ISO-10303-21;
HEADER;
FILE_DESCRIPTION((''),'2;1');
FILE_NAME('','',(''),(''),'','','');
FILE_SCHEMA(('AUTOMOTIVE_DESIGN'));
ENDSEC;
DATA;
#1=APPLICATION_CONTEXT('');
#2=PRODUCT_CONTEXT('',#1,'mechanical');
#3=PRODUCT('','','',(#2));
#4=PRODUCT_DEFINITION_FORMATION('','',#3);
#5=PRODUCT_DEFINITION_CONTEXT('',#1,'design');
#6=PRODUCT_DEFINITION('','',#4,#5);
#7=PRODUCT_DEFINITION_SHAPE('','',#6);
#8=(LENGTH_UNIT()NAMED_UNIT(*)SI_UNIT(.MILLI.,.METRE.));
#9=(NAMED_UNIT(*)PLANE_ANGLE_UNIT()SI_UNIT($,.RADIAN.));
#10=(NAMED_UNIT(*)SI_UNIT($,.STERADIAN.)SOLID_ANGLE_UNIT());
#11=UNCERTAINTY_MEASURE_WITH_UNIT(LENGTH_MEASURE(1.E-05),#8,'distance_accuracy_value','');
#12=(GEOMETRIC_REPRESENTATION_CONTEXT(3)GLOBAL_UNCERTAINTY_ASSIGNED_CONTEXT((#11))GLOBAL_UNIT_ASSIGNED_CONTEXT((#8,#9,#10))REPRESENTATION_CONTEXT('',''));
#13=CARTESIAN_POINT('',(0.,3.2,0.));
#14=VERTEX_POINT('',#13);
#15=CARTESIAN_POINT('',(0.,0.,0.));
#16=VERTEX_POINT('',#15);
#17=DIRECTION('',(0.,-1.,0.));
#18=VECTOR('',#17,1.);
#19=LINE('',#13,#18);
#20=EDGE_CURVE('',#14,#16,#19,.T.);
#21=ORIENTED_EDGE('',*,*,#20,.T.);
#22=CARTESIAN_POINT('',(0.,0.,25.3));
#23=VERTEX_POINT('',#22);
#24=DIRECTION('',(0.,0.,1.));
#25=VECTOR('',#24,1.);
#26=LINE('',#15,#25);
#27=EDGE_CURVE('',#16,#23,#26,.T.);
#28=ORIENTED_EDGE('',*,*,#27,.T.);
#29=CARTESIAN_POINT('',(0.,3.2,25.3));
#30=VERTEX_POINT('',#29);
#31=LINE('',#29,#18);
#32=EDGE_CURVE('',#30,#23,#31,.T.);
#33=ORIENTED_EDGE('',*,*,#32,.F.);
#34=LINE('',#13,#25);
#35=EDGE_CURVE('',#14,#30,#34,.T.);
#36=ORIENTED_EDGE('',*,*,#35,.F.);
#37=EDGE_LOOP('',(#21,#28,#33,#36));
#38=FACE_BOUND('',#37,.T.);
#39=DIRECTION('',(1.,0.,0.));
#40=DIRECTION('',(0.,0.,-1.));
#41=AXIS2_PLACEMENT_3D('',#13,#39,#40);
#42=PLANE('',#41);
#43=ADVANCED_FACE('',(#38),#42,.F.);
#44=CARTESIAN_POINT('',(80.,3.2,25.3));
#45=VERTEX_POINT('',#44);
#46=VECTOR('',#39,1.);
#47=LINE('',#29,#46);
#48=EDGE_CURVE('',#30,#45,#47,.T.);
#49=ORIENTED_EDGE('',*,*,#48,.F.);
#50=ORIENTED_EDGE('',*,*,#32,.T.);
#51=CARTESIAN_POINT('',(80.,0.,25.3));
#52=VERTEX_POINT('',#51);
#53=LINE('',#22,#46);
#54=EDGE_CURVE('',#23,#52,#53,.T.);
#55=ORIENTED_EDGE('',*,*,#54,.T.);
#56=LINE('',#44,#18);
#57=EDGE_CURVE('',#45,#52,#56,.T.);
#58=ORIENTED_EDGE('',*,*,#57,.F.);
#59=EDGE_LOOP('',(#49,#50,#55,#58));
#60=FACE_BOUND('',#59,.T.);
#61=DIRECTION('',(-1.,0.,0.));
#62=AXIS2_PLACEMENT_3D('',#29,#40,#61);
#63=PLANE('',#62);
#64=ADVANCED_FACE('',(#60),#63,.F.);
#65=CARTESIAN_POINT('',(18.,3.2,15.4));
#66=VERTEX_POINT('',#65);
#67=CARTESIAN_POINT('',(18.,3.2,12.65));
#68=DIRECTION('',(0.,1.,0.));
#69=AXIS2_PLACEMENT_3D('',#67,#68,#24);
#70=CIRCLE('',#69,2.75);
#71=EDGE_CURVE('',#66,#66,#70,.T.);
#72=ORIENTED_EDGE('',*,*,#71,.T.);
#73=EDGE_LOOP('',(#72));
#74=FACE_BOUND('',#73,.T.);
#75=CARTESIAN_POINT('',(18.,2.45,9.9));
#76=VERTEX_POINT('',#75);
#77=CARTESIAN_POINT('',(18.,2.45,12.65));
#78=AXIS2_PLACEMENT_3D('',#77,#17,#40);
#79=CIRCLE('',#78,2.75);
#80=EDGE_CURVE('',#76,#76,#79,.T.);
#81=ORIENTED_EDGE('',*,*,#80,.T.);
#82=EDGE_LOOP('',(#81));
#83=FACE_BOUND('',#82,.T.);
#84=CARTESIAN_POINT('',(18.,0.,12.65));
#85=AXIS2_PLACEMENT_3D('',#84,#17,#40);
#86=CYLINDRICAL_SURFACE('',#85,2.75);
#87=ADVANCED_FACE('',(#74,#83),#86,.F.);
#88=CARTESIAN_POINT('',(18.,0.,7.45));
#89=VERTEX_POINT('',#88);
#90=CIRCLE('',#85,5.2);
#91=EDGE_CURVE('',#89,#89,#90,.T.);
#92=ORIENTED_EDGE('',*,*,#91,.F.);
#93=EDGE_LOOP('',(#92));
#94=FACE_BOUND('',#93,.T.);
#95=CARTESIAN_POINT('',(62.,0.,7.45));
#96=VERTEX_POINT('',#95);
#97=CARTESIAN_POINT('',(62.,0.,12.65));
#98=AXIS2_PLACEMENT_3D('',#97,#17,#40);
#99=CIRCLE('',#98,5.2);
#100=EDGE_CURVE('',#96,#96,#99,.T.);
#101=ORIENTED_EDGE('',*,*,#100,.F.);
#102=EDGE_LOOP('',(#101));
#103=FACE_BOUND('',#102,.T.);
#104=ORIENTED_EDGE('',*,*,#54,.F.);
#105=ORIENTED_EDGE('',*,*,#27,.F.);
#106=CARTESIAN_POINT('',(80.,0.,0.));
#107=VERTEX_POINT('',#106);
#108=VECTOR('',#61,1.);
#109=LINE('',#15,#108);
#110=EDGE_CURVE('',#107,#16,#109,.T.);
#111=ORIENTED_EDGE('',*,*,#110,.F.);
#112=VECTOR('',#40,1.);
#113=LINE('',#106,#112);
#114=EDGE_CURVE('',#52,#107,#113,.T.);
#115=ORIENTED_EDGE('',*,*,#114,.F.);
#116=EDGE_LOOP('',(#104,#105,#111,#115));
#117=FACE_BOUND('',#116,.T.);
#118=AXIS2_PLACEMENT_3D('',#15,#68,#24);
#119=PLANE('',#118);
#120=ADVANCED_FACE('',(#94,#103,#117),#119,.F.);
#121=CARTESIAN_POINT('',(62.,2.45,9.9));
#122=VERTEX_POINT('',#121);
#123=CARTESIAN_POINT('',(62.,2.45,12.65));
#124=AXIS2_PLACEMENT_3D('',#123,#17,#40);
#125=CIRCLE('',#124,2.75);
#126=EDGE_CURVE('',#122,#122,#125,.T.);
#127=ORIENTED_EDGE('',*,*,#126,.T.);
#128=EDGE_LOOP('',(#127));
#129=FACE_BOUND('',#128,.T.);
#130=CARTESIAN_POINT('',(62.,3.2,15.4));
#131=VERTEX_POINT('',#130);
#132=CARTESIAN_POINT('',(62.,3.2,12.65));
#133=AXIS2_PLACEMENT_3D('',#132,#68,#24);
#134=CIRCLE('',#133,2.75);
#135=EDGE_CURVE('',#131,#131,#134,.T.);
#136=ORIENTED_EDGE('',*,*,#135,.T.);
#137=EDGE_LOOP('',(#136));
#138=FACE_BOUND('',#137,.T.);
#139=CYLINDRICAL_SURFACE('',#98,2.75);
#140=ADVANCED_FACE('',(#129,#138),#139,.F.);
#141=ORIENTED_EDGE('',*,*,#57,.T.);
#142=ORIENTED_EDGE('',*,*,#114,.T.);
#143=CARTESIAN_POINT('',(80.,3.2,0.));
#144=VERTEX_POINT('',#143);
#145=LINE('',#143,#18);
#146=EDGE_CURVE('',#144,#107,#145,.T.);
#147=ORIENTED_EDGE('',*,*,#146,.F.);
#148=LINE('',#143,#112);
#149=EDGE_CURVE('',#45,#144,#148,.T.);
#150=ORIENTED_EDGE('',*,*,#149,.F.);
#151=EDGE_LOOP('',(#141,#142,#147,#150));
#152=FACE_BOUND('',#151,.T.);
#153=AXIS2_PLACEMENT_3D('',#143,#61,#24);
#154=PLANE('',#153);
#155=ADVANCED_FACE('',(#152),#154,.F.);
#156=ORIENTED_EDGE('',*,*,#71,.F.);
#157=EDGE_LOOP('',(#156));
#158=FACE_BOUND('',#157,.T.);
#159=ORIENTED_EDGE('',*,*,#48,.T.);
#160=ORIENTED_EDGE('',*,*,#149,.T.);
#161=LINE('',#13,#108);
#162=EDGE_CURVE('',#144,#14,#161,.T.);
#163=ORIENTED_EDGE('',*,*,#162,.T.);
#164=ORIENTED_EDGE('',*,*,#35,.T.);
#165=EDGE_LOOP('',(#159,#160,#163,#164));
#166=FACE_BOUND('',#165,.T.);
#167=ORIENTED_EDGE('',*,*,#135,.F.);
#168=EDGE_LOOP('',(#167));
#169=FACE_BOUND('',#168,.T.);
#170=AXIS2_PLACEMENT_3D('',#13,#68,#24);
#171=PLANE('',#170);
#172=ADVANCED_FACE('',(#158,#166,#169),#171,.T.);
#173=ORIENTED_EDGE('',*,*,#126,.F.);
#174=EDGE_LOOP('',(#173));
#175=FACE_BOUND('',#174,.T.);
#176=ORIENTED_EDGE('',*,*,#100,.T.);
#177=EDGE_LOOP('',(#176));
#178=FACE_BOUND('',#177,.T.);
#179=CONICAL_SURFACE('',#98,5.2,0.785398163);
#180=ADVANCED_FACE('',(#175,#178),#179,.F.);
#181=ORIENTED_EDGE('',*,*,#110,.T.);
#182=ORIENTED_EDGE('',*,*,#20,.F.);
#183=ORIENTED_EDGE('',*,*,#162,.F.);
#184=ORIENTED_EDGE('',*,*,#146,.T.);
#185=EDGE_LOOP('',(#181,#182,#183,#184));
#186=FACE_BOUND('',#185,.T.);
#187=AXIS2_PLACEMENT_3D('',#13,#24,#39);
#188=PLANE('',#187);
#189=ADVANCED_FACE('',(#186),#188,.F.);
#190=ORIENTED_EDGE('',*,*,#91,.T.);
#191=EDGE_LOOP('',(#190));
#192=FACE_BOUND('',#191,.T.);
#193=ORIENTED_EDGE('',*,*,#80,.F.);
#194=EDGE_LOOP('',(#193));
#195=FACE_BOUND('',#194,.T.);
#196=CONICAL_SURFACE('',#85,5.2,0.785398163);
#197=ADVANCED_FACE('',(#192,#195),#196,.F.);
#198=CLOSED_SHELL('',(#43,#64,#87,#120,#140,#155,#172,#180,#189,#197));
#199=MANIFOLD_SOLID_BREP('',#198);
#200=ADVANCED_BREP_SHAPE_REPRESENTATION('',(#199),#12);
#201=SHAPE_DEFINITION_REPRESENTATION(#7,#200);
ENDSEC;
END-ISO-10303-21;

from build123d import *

# Parameters (mm, degrees)
SKETCH1_W                                      = 80
SKETCH1_H                                      = 25.3
BOSS_EXTRUDE1_DEPTH                            = 3.2
CSK_FOR_M5_FLAT_HEAD_MACHINE_SCREW1_AT_2_COUNT = 2
CSK_FOR_M5_FLAT_HEAD_MACHINE_SCREW1_AT_2_PITCH = 44


with BuildPart() as part:
    # Sketch1 → Boss-Extrude1 (new body)
    with BuildSketch(Plane(origin=(0, 0, 0), x_dir=(1, 0, 0), z_dir=(0, 1, 0))):
        with Locations((40, -12.65)):
            Rectangle(SKETCH1_W, SKETCH1_H)
    extrude(amount=BOSS_EXTRUDE1_DEPTH)

    # Sketch3 → CSK for M5 Flat Head Machine Screw1 (revolve, cut)
    with BuildSketch(Plane(origin=(62, 0, 12.65), x_dir=(0, 0, -1), z_dir=(1, 0, 0))):
        Polygon((0, 0), (0, 3.2), (2.75, 3.2), (2.75, 2.45), (5.2, 0), align=None)
    csk_for_m5_flat_head_machine_screw1 = revolve(axis=Axis((62, -6.35, 12.65), (0, 1, 0)), mode=Mode.SUBTRACT)

    # CSK for M5 Flat Head Machine Screw1 at 2: CSK for M5 Flat Head Machine Screw1 ×2
    with Locations(*[(-i * CSK_FOR_M5_FLAT_HEAD_MACHINE_SCREW1_AT_2_PITCH, 0, 0) for i in range(1, CSK_FOR_M5_FLAT_HEAD_MACHINE_SCREW1_AT_2_COUNT)]):
        add(csk_for_m5_flat_head_machine_screw1, mode=Mode.SUBTRACT)


solid = part.part
